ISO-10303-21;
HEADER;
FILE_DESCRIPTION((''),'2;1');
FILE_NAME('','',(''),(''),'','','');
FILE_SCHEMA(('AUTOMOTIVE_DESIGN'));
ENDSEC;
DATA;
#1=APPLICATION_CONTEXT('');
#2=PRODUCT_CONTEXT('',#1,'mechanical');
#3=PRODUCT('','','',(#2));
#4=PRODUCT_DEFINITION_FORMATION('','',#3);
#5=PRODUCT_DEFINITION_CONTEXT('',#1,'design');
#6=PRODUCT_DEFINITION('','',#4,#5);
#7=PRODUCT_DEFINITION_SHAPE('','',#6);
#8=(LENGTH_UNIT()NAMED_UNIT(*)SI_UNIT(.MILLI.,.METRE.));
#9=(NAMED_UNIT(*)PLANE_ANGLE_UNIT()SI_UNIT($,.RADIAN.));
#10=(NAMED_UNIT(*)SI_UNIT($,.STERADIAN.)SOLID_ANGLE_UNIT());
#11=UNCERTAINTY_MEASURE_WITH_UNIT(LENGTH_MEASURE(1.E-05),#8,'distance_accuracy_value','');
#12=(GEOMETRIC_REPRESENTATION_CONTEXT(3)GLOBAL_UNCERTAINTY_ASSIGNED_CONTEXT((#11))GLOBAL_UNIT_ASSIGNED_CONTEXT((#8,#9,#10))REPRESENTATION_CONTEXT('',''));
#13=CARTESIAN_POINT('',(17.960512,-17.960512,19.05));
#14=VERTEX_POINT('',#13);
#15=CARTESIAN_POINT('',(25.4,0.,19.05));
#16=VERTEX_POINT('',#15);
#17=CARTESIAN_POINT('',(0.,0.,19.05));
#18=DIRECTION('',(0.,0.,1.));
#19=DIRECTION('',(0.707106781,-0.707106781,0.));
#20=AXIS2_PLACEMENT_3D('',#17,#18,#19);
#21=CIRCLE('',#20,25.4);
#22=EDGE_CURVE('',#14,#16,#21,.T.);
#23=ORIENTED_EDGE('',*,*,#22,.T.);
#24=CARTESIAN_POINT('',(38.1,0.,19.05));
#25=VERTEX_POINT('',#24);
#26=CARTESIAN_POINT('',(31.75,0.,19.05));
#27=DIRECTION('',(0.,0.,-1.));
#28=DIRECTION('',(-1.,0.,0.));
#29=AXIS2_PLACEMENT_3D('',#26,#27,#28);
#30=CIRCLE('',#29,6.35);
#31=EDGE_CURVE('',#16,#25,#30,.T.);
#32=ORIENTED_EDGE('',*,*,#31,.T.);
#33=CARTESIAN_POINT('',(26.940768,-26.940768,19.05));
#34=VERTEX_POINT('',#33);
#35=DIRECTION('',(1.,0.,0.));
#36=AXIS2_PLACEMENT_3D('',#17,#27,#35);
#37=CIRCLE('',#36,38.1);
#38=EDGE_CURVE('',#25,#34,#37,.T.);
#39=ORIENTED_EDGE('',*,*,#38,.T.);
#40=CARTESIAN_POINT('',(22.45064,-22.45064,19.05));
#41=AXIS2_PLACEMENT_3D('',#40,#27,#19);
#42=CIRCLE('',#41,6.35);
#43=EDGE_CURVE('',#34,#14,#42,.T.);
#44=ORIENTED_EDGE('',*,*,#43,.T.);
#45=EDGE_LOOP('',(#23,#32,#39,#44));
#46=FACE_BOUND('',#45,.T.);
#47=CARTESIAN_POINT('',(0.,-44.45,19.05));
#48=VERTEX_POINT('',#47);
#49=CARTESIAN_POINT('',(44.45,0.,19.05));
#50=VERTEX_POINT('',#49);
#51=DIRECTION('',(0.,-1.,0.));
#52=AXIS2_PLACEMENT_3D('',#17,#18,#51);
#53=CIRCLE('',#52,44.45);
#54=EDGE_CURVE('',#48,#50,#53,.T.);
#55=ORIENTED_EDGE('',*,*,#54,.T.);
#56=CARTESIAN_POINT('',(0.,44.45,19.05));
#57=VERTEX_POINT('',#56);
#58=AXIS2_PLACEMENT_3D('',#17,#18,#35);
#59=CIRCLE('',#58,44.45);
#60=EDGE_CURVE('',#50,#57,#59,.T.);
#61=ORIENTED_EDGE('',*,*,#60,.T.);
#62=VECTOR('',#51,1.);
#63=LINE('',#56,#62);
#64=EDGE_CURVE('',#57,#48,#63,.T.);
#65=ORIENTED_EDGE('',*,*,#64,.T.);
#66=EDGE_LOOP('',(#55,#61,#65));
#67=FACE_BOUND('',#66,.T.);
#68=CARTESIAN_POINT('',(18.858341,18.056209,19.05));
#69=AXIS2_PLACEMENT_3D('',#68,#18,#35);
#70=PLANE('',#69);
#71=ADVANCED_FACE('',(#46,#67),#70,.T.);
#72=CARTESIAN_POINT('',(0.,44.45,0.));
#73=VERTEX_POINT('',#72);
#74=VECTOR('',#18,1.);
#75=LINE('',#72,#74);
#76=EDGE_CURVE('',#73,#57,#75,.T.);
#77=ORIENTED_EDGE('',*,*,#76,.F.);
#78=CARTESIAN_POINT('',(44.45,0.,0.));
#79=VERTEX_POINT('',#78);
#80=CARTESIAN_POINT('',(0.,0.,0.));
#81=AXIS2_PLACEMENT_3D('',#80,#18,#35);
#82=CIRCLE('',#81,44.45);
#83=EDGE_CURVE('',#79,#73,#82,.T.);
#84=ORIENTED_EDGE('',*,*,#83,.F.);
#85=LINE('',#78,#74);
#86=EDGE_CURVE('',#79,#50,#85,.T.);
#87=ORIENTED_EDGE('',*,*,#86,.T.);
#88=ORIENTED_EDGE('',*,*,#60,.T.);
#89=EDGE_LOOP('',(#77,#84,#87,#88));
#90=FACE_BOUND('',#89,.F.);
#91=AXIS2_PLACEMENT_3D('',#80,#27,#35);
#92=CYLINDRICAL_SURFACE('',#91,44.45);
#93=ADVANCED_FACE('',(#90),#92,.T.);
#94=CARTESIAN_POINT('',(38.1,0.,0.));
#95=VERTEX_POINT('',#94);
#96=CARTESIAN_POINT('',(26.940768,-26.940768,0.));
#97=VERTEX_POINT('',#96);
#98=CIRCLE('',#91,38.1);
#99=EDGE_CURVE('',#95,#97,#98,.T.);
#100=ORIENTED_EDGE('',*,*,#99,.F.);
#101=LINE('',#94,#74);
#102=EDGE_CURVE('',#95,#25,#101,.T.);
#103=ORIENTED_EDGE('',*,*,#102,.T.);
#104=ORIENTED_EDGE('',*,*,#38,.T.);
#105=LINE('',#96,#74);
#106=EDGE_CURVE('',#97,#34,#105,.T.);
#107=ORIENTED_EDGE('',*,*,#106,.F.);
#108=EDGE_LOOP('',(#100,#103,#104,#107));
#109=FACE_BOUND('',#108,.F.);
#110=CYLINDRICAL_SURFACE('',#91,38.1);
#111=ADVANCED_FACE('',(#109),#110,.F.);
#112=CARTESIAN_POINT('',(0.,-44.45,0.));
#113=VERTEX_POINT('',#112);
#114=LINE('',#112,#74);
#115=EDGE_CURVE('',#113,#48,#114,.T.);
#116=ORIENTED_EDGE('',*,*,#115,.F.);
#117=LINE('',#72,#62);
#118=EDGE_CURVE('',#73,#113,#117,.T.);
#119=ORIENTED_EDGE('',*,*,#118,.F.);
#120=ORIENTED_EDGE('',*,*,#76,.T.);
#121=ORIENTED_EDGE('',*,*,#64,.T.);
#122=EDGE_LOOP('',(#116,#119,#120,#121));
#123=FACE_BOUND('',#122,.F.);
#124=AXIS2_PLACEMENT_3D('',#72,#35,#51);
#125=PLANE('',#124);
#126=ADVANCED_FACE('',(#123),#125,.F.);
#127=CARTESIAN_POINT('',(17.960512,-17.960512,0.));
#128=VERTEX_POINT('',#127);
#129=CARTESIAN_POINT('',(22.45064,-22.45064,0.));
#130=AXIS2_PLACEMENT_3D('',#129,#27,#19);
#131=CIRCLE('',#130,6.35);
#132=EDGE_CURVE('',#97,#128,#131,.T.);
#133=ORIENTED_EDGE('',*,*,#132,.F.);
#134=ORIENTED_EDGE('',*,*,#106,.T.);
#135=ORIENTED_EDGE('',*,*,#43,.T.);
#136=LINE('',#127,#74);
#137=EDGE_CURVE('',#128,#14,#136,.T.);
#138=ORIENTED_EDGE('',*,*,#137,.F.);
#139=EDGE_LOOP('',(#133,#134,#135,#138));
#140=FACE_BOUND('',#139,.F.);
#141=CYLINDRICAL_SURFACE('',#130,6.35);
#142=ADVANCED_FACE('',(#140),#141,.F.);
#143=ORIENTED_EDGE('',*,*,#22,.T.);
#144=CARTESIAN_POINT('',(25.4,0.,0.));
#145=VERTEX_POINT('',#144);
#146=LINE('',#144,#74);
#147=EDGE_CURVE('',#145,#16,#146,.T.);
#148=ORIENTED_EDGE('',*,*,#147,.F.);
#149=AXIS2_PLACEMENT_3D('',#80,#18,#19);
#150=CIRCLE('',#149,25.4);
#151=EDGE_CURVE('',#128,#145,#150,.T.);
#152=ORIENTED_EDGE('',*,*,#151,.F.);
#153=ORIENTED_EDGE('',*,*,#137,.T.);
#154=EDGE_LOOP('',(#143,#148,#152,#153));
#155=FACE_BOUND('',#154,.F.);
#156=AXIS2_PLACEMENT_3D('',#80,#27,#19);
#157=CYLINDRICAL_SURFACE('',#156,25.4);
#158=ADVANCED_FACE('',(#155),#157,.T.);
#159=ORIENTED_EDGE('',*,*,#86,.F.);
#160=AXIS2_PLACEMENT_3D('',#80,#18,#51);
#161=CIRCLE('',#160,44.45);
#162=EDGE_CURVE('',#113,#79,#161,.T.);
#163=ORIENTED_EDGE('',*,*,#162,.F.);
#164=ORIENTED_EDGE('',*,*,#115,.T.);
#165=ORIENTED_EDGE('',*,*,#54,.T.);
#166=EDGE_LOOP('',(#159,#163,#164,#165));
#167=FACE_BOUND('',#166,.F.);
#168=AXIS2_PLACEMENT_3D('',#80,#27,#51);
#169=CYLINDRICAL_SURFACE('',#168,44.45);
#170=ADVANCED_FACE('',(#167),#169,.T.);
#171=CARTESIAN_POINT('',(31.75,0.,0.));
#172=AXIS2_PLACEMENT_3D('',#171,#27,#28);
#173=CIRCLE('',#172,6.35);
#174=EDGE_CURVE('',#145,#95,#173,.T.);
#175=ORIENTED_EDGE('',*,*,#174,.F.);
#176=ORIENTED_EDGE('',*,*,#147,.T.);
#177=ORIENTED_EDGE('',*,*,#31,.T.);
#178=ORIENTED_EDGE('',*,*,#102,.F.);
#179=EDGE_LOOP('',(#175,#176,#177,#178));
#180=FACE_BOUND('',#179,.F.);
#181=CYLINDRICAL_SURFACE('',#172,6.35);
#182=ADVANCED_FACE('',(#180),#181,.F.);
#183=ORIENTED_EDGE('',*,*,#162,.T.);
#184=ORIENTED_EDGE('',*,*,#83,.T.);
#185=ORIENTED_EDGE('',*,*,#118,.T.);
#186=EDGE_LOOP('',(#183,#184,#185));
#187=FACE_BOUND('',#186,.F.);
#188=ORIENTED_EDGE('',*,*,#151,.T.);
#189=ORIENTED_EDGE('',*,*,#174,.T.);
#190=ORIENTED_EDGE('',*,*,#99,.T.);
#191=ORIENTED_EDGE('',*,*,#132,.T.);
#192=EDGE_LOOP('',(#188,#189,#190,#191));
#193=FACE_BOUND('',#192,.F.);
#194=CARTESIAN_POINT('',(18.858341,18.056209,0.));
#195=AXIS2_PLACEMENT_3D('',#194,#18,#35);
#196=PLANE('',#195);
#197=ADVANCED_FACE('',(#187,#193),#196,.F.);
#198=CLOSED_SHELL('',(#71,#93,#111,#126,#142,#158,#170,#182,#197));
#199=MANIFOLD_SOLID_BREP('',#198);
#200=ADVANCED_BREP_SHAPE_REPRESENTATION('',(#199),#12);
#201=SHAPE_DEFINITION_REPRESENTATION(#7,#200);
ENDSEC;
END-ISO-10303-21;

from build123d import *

# Parameters (mm, degrees)
F1_DEPTH = 19.05


with BuildPart() as f1:
    # F0 (on Top) → F1 (new body)
    with BuildSketch(Plane.XY):
        with BuildLine():
            Line((38.1, 0), (44.45, 0))
            ThreePointArc((44.45, 0), (31.4308964237, 31.4308964237), (0, 44.45))
            Line((0, 44.45), (0, 38.1))
            Line((0, 38.1), (0, 25.4))
            Line((0, 25.4), (0, 0))
            Line((0, 0), (25.4, 0))
            ThreePointArc((25.4, 0), (31.75, 6.35), (38.1, 0))
        make_face()
        with BuildLine():
            ThreePointArc((0, -44.45), (31.4308964237, -31.4308964237), (44.45, 0))
            Line((44.45, 0), (38.1, 0))
            ThreePointArc((38.1, 0), (35.1998101887, -14.5802387731), (26.9407683632, -26.9407683632))
            ThreePointArc((26.9407683632, -26.9407683632), (17.9605122421, -26.9407683632), (17.9605122421, -17.9605122421))
            ThreePointArc((17.9605122421, -17.9605122421), (23.4665401258, -9.7201591821), (25.4, 0))
            Line((25.4, 0), (0, 0))
            Line((0, 0), (0, -25.4))
            Line((0, -25.4), (0, -38.1))
            Line((0, -38.1), (0, -44.45))
        make_face()
    extrude(amount=F1_DEPTH)


solid = f1.part
